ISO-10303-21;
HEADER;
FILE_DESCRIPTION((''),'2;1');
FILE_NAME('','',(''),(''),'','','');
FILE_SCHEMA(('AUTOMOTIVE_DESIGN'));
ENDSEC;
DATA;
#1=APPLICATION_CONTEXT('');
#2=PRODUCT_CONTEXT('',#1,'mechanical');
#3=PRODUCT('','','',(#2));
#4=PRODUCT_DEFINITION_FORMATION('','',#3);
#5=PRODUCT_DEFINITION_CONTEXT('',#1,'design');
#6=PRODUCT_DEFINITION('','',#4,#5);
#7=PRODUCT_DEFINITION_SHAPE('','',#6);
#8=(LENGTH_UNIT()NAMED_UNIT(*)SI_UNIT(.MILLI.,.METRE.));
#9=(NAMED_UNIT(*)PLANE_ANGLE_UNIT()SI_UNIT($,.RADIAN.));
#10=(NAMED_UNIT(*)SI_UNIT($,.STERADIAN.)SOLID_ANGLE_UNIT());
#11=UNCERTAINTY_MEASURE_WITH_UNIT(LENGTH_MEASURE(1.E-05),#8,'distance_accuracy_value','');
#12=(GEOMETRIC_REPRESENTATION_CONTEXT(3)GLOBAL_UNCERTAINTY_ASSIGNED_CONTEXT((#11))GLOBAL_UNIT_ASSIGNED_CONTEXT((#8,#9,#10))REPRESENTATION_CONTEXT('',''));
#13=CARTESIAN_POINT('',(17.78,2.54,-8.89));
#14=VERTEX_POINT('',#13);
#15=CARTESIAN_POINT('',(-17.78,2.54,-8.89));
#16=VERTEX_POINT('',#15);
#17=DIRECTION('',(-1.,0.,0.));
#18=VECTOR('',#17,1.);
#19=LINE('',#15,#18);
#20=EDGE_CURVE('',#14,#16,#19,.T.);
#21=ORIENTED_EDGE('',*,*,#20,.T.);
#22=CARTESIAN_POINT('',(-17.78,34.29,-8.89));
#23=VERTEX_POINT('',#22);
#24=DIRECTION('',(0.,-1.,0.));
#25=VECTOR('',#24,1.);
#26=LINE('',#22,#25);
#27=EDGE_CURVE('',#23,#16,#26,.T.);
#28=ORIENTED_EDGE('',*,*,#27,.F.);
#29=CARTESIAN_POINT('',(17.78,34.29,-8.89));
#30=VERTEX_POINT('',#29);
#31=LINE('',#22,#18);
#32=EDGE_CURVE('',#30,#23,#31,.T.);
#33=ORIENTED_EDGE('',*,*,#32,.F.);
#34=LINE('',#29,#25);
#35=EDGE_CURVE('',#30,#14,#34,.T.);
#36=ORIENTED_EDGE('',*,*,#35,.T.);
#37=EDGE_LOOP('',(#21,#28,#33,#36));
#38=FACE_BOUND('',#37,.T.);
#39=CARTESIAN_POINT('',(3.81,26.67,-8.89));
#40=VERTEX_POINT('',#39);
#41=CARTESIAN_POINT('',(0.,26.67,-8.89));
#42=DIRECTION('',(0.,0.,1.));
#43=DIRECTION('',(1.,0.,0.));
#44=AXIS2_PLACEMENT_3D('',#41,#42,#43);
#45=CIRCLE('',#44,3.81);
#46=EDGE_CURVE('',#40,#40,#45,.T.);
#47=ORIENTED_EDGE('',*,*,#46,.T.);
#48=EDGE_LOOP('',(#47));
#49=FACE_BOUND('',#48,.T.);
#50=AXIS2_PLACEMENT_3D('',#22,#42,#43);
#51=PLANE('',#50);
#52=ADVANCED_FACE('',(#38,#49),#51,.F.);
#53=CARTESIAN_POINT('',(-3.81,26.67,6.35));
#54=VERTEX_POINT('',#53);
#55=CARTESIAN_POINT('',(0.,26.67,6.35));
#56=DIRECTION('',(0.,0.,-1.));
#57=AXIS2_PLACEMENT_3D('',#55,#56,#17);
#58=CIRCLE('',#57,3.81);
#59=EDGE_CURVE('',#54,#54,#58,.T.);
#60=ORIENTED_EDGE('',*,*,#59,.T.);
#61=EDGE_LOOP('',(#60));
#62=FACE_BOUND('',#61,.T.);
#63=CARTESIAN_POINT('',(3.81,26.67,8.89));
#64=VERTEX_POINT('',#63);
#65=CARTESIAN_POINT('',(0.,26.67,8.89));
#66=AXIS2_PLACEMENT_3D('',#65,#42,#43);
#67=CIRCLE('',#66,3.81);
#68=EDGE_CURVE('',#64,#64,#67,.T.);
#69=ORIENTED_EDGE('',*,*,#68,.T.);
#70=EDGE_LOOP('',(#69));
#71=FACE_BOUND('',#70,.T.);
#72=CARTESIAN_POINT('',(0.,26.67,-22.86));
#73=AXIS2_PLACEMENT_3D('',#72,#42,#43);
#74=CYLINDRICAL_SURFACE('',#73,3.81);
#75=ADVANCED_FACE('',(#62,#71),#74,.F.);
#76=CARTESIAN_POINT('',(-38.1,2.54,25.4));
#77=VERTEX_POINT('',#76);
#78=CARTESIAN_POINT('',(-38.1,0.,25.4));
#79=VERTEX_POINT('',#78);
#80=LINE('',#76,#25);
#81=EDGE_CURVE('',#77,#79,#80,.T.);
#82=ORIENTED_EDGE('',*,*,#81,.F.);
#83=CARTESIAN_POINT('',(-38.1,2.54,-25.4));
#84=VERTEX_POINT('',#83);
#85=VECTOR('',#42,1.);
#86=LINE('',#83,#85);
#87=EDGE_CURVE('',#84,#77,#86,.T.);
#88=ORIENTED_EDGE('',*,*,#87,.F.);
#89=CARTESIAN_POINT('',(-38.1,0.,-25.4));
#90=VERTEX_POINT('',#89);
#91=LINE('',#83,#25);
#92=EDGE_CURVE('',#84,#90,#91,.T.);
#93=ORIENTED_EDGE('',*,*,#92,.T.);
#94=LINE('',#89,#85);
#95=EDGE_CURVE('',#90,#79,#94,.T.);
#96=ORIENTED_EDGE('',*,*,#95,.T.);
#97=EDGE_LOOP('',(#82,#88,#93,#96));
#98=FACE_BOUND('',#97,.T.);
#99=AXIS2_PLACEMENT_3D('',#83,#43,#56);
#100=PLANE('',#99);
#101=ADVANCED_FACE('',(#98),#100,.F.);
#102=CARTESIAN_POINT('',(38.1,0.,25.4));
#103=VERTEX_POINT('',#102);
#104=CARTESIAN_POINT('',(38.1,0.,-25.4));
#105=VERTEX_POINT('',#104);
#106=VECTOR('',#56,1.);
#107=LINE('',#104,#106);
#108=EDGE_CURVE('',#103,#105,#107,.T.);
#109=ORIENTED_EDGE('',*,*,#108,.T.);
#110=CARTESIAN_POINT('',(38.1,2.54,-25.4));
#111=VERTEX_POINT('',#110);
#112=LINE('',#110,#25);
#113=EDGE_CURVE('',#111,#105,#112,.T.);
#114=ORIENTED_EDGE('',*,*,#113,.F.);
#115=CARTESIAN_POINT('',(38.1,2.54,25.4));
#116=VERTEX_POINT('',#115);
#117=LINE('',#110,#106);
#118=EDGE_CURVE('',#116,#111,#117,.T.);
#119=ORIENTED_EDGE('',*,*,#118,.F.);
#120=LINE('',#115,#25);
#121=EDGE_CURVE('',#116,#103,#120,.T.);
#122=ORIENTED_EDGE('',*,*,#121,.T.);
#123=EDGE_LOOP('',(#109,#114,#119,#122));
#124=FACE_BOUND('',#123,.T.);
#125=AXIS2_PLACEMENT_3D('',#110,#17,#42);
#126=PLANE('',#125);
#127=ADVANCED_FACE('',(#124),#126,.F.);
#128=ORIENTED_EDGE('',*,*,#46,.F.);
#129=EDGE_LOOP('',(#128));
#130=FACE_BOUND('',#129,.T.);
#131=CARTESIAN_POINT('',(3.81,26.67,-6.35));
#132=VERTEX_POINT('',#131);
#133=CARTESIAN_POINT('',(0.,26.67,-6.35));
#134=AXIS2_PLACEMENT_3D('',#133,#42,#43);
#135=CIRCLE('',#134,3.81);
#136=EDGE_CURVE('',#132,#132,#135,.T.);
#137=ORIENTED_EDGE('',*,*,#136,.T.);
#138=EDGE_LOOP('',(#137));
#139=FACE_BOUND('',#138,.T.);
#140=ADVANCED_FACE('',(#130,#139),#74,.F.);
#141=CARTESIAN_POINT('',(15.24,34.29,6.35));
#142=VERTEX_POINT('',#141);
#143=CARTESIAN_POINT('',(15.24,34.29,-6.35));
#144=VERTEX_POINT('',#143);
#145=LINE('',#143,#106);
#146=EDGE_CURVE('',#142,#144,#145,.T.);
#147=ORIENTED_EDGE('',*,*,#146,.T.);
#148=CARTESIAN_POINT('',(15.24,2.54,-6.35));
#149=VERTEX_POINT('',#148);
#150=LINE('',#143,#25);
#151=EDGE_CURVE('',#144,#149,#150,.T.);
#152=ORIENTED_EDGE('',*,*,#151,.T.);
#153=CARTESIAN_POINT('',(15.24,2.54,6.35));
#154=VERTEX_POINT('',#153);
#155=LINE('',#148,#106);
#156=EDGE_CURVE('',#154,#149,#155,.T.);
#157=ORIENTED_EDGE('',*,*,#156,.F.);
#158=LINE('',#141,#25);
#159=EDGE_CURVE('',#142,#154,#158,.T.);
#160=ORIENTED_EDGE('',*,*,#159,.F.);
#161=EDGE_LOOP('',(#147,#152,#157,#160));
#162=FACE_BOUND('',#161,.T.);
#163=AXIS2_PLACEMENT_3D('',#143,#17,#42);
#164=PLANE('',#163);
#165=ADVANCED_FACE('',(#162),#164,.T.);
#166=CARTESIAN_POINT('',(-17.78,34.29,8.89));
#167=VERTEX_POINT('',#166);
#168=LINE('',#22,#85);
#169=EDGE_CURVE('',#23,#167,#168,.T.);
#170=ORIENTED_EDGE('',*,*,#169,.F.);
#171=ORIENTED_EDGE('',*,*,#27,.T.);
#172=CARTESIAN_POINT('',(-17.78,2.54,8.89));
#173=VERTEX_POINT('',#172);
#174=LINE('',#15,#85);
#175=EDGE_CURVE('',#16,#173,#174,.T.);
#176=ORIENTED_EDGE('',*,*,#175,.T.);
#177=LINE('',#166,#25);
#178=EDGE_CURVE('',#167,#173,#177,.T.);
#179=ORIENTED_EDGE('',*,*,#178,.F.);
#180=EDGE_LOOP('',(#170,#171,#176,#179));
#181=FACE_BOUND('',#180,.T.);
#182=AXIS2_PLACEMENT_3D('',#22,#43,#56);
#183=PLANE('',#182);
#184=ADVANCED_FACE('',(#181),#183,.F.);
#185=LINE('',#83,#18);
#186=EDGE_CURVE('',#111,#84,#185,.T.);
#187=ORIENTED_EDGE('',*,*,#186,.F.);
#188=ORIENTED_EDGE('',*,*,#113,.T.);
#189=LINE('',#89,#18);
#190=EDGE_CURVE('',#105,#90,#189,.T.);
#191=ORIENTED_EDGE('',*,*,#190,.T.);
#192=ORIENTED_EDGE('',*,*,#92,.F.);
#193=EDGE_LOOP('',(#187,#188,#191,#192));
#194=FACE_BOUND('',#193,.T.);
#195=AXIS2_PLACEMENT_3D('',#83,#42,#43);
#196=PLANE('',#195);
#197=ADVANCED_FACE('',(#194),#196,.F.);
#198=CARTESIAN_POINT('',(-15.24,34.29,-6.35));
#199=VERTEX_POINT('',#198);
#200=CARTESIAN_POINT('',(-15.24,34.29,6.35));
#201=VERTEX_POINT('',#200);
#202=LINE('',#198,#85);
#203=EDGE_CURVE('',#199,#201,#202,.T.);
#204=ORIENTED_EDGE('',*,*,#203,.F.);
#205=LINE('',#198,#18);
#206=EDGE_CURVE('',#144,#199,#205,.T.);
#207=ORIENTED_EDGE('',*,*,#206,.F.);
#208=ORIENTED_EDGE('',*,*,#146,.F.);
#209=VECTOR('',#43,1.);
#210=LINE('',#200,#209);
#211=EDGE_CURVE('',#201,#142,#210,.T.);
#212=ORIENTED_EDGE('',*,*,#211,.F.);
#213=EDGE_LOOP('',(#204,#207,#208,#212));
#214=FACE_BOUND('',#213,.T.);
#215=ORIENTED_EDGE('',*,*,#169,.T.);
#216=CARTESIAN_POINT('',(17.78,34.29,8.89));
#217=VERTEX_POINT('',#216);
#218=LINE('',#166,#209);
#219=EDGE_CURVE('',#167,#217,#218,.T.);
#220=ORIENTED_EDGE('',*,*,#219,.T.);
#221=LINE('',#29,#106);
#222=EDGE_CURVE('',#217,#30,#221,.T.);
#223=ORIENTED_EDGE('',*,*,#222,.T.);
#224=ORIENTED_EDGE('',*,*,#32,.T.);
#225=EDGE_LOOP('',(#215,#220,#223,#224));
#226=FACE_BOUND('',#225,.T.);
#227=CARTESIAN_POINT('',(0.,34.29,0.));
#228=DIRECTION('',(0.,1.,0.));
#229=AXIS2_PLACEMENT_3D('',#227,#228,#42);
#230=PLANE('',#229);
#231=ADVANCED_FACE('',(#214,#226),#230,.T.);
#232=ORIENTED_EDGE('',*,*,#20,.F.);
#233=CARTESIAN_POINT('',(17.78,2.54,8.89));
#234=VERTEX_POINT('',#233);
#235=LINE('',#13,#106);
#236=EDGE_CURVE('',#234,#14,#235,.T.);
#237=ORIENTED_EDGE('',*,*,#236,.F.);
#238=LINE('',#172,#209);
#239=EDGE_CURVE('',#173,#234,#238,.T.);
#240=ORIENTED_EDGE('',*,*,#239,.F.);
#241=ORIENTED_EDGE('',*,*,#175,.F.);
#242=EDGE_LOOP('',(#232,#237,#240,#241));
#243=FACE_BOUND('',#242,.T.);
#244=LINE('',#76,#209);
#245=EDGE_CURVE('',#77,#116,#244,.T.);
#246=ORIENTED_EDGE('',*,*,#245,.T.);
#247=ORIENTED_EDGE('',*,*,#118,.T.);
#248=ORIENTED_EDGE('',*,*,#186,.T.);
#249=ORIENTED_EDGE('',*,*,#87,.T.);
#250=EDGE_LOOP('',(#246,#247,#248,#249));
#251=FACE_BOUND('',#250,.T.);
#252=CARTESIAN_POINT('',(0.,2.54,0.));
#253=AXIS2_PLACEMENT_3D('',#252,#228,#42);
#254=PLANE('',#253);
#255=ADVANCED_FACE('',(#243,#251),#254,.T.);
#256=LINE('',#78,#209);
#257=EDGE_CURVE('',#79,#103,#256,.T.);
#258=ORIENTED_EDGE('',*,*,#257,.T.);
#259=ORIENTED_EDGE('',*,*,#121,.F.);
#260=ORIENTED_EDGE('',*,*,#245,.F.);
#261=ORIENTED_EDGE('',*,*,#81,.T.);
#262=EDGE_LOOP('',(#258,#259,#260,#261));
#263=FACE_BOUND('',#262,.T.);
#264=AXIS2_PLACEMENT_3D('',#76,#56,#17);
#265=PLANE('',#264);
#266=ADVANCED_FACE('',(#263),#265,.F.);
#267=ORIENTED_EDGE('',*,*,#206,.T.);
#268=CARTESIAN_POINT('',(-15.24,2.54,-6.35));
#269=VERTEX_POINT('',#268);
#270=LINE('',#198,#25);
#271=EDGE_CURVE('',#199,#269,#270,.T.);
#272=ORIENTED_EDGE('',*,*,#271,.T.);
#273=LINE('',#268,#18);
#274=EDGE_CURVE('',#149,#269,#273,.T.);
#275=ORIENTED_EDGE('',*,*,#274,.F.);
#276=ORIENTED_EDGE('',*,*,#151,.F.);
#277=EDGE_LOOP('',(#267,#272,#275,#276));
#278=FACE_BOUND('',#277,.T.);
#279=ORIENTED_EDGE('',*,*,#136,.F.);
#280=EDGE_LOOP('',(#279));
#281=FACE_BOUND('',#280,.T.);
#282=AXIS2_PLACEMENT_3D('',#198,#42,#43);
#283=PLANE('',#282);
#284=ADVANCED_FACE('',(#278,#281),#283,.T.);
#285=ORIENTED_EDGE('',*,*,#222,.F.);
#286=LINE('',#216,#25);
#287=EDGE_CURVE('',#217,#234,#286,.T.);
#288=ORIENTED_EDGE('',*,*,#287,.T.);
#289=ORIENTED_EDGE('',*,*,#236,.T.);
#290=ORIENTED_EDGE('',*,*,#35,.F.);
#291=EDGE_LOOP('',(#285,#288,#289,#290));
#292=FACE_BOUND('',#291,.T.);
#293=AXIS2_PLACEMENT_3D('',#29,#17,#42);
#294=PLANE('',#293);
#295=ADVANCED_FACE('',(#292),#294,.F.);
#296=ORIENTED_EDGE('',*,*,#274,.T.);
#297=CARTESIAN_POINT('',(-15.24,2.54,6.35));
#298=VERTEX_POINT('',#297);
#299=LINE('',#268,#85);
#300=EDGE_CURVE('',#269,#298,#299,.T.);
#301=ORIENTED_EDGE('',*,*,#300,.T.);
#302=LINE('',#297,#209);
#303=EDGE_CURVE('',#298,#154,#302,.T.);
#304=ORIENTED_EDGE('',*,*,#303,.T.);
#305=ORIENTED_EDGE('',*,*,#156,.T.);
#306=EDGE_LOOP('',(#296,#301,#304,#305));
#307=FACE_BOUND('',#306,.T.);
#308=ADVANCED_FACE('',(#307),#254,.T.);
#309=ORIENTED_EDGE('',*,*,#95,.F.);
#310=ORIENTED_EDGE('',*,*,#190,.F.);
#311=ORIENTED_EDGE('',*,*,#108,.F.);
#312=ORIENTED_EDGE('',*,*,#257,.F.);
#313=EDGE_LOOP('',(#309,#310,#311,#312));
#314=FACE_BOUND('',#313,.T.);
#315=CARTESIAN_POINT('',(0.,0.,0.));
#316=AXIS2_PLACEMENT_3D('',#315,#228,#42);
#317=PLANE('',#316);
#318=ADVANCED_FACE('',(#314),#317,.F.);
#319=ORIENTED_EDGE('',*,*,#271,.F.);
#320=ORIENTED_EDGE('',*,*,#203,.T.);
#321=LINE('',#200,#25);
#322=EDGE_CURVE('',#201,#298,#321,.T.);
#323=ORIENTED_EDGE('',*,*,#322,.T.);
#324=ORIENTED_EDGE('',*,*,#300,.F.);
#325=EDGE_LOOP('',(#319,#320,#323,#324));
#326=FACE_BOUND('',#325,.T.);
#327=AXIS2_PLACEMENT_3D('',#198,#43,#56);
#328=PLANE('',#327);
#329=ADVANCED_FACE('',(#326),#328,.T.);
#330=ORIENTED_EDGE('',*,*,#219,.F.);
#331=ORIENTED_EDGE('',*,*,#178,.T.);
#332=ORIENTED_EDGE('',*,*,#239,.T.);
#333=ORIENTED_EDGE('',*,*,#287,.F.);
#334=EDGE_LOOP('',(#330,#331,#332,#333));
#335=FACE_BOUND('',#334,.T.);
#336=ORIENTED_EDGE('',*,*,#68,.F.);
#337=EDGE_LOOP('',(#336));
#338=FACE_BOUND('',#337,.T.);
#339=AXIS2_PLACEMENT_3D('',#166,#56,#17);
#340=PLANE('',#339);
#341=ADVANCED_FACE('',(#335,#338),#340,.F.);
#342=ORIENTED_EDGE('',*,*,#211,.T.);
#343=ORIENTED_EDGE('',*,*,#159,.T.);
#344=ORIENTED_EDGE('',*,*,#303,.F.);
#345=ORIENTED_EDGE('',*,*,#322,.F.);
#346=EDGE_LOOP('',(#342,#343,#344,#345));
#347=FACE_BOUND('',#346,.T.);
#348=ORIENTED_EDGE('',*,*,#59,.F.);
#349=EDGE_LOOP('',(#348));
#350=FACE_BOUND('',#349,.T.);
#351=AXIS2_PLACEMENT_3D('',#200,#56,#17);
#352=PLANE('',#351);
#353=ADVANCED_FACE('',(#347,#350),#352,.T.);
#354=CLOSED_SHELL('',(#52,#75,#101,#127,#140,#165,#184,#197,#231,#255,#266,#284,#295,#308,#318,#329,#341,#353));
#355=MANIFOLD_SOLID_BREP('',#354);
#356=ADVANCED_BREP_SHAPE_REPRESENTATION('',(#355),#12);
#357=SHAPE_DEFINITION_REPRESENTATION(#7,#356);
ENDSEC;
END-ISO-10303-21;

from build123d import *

# Parameters (mm, degrees)
SKETCH1_W           = 76.2
SKETCH1_H           = 50.8
BOSS_EXTRUDE1_DEPTH = 2.54
SKETCH2_W           = 35.56
SKETCH2_H           = 17.78
SKETCH2_W_2         = 30.48
SKETCH2_H_2         = 12.7
BOSS_EXTRUDE2_DEPTH = 31.75
SKETCH3_R           = 3.81
CUT_EXTRUDE1_DEPTH  = 31.75


with BuildPart() as part:
    # Sketch1 → Boss-Extrude1 (new body)
    with BuildSketch(Plane(origin=(0, 0, 0), x_dir=(1, 0, 0), z_dir=(0, 1, 0))):
        Rectangle(SKETCH1_W, SKETCH1_H)
    extrude(amount=BOSS_EXTRUDE1_DEPTH)

    # Sketch2 → Boss-Extrude2 (add)
    with BuildSketch(Plane(origin=(0, 2.54, 0), x_dir=(1, 0, 0), z_dir=(0, 1, 0))):
        Rectangle(SKETCH2_W, SKETCH2_H)
        Rectangle(SKETCH2_W_2, SKETCH2_H_2, mode=Mode.SUBTRACT)
    extrude(amount=BOSS_EXTRUDE2_DEPTH)

    # Sketch3 → Cut-Extrude1 (cut)
    with BuildSketch(Plane.XY.offset(8.89)):
        with Locations((0, 26.67)):
            Circle(SKETCH3_R)
    extrude(amount=-CUT_EXTRUDE1_DEPTH, mode=Mode.SUBTRACT)


solid = part.part
